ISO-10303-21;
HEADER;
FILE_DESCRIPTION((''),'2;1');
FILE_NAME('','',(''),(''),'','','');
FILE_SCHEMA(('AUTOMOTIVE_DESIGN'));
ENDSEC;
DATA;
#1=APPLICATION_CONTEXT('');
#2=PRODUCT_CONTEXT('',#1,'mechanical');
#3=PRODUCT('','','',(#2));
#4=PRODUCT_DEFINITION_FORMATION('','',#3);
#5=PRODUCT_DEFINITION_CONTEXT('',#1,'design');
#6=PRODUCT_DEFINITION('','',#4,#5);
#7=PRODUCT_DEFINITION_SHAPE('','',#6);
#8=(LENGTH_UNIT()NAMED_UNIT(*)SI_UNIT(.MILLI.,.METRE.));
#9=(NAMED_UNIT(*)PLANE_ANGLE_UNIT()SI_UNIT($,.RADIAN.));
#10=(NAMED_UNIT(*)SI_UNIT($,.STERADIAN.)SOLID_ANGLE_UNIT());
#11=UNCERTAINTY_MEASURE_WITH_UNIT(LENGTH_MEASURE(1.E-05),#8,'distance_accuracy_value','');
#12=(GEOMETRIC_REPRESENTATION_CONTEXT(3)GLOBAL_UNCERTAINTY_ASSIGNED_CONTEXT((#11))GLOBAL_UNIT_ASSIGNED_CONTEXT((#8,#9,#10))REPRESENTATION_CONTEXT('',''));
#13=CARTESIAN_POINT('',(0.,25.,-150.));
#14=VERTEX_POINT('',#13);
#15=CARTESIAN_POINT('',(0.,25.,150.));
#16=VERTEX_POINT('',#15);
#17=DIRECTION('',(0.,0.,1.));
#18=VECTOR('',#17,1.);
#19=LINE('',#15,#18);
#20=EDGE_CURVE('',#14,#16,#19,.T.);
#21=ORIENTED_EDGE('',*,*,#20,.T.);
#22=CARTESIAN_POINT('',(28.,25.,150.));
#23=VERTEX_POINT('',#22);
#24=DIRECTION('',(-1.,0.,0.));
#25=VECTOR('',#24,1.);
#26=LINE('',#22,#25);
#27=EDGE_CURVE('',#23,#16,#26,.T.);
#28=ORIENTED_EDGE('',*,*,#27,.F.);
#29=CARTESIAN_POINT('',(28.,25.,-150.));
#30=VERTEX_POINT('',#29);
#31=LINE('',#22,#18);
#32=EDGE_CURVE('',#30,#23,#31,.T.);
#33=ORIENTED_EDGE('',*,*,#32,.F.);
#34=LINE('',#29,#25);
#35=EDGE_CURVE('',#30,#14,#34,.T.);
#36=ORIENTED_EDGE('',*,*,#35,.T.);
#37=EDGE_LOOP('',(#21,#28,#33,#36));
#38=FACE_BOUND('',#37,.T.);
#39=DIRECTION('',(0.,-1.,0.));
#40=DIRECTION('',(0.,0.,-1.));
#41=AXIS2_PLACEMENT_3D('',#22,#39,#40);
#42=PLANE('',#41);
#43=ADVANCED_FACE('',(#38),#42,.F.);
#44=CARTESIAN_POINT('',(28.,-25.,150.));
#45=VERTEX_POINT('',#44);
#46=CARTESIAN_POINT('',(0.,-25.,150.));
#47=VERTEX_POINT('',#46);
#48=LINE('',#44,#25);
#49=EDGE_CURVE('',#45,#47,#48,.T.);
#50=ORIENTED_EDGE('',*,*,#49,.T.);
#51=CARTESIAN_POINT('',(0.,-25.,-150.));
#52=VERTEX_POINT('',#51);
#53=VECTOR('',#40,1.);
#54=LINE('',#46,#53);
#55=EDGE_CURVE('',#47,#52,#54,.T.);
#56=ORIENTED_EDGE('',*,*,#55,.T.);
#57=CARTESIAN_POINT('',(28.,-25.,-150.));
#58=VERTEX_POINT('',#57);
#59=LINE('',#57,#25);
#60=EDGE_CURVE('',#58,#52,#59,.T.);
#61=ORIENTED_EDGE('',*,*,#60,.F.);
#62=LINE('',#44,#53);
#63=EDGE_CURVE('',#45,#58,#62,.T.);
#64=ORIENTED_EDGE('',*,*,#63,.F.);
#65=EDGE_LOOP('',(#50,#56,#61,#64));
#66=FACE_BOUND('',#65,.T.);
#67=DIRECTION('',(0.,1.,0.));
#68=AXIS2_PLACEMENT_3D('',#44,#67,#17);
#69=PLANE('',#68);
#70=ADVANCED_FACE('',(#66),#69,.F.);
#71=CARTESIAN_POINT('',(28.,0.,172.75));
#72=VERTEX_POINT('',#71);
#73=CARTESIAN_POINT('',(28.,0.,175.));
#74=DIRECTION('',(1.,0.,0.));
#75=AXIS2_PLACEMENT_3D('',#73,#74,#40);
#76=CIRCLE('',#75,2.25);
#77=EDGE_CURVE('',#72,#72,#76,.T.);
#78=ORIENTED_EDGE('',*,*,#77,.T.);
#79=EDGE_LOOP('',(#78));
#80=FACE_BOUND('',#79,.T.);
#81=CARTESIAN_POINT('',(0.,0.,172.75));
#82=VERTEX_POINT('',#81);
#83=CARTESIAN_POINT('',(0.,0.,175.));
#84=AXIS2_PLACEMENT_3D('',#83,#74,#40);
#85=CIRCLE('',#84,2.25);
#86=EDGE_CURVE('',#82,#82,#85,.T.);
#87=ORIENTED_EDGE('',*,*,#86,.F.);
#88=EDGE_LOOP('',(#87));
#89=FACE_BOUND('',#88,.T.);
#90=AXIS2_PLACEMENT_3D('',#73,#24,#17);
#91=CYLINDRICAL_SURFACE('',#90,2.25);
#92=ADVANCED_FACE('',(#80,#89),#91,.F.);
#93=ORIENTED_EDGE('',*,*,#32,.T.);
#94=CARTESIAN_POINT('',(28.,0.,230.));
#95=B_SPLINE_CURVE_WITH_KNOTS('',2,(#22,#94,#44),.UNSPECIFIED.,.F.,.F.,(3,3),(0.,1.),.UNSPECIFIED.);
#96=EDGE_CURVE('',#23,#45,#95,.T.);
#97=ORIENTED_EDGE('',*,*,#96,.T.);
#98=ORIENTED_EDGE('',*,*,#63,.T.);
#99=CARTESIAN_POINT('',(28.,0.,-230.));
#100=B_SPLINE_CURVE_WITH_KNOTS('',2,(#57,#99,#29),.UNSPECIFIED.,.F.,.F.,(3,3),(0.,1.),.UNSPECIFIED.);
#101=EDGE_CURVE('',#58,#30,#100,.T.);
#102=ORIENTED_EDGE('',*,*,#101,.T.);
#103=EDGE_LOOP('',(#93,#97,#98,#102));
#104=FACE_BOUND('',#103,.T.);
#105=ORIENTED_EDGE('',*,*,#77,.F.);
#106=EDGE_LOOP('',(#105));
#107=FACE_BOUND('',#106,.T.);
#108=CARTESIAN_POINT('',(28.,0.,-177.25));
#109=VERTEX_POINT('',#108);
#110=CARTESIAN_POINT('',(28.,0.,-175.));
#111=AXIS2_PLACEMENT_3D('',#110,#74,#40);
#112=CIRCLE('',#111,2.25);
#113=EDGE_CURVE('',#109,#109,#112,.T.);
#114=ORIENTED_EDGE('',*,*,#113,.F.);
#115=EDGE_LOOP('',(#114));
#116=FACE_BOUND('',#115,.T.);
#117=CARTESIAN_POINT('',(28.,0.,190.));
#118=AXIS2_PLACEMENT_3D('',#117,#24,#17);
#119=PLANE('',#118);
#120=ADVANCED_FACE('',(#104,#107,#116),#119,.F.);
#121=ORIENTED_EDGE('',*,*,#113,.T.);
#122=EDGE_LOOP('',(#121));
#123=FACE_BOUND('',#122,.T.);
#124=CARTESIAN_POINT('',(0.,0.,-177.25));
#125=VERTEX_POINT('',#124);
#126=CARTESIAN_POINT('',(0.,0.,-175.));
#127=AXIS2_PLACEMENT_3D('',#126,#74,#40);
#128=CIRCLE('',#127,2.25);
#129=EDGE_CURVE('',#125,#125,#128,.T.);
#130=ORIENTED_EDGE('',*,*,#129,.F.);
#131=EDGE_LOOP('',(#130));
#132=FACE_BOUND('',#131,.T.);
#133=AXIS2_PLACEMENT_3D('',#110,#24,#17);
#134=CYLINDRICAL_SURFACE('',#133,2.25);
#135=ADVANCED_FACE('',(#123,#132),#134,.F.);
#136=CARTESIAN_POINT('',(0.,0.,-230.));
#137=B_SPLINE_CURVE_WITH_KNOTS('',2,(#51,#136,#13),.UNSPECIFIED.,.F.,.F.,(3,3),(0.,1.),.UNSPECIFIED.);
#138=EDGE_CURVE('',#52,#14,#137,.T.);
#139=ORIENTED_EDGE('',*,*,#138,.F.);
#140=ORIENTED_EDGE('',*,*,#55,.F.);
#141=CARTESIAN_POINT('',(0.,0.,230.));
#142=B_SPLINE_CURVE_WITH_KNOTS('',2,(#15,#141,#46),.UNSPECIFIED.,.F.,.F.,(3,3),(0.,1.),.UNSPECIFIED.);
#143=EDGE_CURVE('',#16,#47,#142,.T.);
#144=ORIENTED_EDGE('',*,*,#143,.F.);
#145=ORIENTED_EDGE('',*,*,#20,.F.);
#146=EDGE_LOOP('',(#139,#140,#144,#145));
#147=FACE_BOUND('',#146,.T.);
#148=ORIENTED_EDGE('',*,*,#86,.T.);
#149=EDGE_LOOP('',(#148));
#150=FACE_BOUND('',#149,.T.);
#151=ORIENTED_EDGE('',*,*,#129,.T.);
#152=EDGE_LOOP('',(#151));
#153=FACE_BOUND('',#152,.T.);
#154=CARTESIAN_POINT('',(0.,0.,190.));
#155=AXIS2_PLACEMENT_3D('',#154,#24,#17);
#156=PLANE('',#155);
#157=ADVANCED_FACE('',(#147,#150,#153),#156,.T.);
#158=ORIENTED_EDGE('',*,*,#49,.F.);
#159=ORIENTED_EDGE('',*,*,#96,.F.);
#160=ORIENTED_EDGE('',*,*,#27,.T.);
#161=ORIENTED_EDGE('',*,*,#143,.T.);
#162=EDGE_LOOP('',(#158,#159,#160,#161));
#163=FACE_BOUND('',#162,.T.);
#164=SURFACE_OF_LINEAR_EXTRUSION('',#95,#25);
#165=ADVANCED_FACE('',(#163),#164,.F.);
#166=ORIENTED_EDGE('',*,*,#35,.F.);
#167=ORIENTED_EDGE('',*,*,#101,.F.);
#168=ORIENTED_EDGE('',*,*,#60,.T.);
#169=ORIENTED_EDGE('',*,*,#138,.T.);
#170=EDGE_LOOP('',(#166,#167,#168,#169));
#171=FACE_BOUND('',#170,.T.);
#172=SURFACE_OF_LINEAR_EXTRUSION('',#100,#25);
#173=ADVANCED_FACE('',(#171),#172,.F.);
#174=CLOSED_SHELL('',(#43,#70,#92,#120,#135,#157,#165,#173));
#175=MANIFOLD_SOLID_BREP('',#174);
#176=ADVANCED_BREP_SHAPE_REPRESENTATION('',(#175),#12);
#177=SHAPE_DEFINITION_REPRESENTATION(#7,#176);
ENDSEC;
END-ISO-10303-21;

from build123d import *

# Parameters (mm, degrees)
SKETCH1_R           = 2.25
BOSS_EXTRUDE1_DEPTH = 28


with BuildPart() as part:
    # Sketch1 → Boss-Extrude1 (new body)
    with BuildSketch(Plane(origin=(0, 0, 0), x_dir=(0, 0, -1), z_dir=(1, 0, 0))):
        with BuildLine():
            Line((-150, 25), (150, 25))
            add(Edge.make_bspline(
                [(150, 25), (230, 0), (150, -25)],
                knots=[0, 0, 0, 1, 1, 1], degree=2))
            Line((150, -25), (-150, -25))
            add(Edge.make_bspline(
                [(-150, 25), (-230, 0), (-150, -25)],
                knots=[0, 0, 0, 1, 1, 1], degree=2))
        make_face()
        with Locations((-175, 0)):
            Circle(SKETCH1_R, mode=Mode.SUBTRACT)
        with Locations((175, 0)):
            Circle(SKETCH1_R, mode=Mode.SUBTRACT)
    extrude(amount=BOSS_EXTRUDE1_DEPTH)


solid = part.part
